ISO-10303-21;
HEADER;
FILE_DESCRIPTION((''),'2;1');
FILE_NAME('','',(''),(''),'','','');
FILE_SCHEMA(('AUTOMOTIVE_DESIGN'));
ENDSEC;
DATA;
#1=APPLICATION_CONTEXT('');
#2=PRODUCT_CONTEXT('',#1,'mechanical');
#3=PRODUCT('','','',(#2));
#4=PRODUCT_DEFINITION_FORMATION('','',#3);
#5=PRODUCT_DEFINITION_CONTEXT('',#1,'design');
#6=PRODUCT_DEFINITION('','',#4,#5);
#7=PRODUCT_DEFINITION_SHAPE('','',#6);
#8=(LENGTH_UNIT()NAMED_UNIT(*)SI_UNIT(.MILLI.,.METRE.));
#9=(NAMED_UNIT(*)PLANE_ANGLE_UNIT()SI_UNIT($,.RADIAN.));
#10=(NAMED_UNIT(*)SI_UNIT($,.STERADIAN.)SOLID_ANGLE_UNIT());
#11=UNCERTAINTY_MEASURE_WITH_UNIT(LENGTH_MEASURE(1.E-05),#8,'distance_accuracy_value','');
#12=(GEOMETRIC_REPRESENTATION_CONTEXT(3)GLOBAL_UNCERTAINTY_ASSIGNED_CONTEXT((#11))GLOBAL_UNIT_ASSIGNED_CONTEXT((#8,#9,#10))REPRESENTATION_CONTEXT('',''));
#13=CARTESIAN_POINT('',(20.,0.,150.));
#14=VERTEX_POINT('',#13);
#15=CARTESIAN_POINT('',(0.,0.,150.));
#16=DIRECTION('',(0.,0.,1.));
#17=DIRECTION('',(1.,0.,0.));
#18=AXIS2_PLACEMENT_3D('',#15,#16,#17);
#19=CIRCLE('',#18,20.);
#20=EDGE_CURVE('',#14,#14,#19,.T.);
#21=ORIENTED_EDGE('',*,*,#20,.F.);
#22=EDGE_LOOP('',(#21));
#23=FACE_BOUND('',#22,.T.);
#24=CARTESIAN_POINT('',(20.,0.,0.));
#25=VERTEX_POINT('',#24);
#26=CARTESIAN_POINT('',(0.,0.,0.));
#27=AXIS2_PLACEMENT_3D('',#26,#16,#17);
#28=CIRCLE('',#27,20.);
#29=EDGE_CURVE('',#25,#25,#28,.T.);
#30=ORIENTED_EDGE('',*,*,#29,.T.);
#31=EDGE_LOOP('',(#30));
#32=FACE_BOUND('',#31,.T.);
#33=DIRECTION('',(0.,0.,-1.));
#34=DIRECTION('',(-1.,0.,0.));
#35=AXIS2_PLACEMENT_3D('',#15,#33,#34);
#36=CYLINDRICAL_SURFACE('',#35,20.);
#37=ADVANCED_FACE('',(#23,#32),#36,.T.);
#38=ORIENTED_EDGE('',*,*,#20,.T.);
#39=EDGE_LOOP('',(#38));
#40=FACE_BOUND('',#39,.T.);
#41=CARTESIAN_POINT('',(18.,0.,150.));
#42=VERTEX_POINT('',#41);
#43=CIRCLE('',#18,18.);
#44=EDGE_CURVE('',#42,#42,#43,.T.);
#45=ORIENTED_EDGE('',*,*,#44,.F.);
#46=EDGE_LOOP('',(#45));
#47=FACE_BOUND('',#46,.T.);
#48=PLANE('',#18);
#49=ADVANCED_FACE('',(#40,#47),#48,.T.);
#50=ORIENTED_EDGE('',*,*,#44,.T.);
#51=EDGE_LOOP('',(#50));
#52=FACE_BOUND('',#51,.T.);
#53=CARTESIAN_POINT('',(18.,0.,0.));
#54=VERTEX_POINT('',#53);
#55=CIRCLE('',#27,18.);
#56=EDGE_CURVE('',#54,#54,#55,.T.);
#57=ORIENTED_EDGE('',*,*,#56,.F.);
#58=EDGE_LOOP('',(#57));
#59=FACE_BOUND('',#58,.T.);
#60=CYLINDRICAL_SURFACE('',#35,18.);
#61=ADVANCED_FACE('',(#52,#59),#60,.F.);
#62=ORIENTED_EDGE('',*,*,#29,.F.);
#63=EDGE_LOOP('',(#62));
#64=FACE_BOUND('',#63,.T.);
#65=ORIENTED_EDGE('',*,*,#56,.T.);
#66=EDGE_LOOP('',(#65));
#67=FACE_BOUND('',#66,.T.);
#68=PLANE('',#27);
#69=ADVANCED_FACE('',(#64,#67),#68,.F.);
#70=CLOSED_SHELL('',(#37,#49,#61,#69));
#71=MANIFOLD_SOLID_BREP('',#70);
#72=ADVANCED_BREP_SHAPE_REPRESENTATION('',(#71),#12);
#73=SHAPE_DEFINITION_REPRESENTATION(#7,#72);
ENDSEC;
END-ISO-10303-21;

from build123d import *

# Parameters (mm, degrees)
SKETCH2_R           = 20
SKETCH2_R_2         = 18
BOSS_EXTRUDE1_DEPTH = 150


with BuildPart() as part:
    # Sketch2 → Boss-Extrude1 (new body)
    with BuildSketch(Plane.XY):
        Circle(SKETCH2_R)
        Circle(SKETCH2_R_2, mode=Mode.SUBTRACT)
    extrude(amount=BOSS_EXTRUDE1_DEPTH)


solid = part.part
